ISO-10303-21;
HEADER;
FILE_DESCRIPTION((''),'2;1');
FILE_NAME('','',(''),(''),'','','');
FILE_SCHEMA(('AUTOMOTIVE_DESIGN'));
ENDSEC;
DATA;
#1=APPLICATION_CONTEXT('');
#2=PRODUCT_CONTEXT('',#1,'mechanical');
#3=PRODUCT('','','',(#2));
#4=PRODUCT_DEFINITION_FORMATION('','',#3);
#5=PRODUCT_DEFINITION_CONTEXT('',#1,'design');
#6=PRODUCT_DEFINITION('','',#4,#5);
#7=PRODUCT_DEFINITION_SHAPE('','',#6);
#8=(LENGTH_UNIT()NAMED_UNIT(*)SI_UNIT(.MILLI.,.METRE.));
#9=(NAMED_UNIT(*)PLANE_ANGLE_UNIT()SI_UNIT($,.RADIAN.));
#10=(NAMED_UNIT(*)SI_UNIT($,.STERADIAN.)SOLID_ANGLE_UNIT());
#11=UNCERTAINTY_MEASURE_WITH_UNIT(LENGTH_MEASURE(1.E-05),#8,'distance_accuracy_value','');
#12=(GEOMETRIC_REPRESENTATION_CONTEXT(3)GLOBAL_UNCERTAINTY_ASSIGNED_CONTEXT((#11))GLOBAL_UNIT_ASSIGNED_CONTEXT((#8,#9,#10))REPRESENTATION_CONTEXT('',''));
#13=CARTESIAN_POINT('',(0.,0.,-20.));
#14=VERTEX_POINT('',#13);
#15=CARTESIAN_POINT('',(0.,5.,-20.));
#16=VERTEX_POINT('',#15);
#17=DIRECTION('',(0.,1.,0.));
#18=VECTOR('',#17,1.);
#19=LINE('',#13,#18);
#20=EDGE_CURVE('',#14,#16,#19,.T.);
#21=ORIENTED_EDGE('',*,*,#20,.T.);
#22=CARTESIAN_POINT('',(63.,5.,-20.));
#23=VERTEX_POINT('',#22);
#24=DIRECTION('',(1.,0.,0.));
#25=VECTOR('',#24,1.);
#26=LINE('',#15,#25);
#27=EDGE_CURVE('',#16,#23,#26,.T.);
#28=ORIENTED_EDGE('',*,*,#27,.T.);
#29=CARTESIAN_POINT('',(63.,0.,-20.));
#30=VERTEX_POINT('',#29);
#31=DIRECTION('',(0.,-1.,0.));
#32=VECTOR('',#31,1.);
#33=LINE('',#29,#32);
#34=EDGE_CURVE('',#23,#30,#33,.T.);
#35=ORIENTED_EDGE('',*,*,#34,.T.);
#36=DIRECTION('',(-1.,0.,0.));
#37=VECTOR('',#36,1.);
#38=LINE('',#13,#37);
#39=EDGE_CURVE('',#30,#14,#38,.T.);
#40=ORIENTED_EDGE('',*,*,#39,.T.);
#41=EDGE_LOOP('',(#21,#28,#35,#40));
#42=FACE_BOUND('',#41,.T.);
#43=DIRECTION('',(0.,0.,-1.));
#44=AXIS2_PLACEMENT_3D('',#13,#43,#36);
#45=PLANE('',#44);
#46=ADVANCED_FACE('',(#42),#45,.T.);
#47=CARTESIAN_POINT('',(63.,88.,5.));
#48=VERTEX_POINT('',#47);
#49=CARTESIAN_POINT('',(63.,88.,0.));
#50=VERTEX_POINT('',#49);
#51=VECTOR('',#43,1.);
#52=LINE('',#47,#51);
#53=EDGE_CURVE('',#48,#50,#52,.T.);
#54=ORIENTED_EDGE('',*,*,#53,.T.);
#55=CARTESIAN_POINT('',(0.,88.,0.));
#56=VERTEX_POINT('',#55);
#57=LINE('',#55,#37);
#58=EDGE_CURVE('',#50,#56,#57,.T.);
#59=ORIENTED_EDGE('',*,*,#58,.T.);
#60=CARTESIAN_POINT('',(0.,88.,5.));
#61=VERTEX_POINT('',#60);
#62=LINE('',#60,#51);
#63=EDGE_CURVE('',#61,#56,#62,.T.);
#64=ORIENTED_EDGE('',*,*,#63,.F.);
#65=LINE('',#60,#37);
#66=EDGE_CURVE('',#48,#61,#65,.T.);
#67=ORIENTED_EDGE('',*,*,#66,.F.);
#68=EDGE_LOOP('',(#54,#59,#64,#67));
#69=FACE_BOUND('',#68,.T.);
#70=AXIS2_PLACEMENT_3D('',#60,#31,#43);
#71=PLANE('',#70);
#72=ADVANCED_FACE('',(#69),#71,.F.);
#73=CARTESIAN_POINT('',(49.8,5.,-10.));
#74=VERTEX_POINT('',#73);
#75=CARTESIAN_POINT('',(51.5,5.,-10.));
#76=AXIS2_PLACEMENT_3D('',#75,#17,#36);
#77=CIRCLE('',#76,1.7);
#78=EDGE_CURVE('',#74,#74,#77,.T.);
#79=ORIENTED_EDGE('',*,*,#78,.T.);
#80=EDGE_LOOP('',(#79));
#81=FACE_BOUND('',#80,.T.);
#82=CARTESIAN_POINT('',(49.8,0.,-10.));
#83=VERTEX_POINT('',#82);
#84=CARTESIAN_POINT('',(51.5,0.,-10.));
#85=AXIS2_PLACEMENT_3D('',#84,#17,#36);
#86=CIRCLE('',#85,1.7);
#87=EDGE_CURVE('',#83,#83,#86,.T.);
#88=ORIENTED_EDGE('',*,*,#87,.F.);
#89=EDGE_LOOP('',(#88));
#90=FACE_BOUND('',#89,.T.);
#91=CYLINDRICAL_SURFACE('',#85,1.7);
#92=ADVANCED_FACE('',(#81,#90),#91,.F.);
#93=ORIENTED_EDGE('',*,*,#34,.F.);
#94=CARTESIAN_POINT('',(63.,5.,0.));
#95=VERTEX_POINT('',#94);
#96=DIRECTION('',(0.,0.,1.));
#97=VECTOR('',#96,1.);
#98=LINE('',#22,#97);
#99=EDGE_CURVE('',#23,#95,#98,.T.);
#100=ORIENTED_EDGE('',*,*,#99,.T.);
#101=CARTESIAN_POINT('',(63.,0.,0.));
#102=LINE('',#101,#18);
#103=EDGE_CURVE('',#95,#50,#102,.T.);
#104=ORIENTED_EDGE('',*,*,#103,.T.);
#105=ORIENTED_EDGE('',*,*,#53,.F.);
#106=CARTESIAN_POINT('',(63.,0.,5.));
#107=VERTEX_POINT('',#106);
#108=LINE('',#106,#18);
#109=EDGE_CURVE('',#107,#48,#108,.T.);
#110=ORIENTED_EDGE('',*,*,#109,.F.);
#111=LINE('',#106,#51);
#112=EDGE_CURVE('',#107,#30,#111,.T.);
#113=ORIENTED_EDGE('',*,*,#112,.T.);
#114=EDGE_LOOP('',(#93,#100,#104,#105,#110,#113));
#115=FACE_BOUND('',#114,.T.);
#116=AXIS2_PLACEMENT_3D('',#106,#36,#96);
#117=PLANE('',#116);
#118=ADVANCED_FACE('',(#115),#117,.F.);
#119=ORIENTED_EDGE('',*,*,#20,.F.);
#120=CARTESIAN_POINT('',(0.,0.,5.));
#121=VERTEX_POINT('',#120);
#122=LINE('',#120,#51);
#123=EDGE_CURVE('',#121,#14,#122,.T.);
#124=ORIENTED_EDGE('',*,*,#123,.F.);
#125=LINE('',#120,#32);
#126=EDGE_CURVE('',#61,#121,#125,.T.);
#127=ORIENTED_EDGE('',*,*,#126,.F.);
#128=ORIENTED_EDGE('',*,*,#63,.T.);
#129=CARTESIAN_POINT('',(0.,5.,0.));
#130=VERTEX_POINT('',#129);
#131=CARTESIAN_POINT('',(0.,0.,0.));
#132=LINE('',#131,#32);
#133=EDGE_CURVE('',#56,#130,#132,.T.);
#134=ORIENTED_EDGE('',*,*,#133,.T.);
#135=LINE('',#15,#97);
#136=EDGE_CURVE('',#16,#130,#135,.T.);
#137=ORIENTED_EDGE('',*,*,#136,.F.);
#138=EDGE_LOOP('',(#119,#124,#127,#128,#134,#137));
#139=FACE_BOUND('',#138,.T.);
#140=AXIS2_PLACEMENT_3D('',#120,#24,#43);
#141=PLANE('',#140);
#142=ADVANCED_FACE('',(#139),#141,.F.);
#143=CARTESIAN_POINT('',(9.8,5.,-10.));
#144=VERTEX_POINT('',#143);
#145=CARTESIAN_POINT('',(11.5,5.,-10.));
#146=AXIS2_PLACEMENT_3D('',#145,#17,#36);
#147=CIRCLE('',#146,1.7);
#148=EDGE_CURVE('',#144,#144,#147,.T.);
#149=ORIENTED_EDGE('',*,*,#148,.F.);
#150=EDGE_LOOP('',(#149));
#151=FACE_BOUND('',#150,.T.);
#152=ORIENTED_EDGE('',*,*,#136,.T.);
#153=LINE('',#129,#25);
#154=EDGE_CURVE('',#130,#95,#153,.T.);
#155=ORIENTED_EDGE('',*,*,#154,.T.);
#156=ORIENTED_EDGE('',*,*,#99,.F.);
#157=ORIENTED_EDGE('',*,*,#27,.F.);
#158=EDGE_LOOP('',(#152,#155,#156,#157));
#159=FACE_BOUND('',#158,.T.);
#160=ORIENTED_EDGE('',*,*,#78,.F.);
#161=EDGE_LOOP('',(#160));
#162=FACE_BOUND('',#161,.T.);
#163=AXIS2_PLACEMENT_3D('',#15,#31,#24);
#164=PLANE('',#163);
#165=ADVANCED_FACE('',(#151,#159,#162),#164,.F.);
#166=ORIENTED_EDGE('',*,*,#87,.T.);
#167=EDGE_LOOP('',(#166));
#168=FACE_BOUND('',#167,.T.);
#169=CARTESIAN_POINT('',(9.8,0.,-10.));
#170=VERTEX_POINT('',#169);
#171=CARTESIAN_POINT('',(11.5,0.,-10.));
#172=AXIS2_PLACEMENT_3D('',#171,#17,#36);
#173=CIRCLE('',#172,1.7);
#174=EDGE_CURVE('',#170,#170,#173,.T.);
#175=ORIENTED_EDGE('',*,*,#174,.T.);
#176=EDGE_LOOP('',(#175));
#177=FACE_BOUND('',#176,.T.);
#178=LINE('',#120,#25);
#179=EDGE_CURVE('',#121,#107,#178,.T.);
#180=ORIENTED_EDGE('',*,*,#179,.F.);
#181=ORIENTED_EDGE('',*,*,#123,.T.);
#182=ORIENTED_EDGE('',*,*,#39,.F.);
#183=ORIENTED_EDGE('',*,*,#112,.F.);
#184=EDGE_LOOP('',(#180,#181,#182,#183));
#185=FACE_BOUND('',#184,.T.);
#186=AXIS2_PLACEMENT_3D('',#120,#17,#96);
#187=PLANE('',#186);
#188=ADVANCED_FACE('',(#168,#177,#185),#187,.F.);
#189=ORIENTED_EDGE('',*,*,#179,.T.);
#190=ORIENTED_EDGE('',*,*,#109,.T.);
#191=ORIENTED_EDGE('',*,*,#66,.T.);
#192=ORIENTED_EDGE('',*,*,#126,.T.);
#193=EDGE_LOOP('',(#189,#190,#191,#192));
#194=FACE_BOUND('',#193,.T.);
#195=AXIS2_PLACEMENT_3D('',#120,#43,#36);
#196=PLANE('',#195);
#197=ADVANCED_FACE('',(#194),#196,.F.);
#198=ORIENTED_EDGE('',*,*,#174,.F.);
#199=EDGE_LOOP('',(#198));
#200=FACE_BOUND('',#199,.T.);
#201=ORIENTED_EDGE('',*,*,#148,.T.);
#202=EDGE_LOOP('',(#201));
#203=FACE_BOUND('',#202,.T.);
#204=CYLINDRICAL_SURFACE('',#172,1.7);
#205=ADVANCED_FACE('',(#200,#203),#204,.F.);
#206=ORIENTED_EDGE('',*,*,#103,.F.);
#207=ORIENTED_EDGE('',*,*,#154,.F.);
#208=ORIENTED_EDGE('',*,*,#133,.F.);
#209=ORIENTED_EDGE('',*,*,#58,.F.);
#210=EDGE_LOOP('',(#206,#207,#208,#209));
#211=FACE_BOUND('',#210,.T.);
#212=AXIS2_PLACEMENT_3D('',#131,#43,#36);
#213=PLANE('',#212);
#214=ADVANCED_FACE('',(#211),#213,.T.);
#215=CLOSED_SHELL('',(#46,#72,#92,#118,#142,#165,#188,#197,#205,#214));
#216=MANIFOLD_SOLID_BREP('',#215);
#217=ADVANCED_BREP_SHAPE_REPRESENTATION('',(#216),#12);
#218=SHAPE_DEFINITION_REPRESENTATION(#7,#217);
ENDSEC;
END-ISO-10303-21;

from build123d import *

# Parameters (mm, degrees)
SKETCH1_W           = 63
SKETCH1_H           = 88
BOSS_EXTRUDE1_DEPTH = 5
SKETCH2_W           = 63
SKETCH2_H           = 5
BOSS_EXTRUDE2_DEPTH = 20
SKETCH3_R           = 1.7
CUT_EXTRUDE1_DEPTH  = 107.103722838


with BuildPart() as part:
    # Sketch1 → Boss-Extrude1 (new body)
    with BuildSketch(Plane.XY):
        with Locations((31.5, 44)):
            Rectangle(SKETCH1_W, SKETCH1_H)
    extrude(amount=BOSS_EXTRUDE1_DEPTH)

    # Sketch2 → Boss-Extrude2 (add)
    with BuildSketch(Plane(origin=(0, 0, 0), x_dir=(-1, 0, 0), z_dir=(0, 0, -1))):
        with Locations((-31.5, 2.5)):
            Rectangle(SKETCH2_W, SKETCH2_H)
    extrude(amount=BOSS_EXTRUDE2_DEPTH)

    # Sketch3 → Cut-Extrude1 (cut, through all)
    with BuildSketch(Plane(origin=(0, 5, 0), x_dir=(1, 0, 0), z_dir=(0, 1, 0))):
        with Locations(Location((51.5, 10, 0), (0, 0, 180))):
            Circle(SKETCH3_R)
        with Locations(Location((11.5, 10, 0), (0, 0, 180))):
            Circle(SKETCH3_R)
    extrude(amount=-CUT_EXTRUDE1_DEPTH, mode=Mode.SUBTRACT)


solid = part.part
